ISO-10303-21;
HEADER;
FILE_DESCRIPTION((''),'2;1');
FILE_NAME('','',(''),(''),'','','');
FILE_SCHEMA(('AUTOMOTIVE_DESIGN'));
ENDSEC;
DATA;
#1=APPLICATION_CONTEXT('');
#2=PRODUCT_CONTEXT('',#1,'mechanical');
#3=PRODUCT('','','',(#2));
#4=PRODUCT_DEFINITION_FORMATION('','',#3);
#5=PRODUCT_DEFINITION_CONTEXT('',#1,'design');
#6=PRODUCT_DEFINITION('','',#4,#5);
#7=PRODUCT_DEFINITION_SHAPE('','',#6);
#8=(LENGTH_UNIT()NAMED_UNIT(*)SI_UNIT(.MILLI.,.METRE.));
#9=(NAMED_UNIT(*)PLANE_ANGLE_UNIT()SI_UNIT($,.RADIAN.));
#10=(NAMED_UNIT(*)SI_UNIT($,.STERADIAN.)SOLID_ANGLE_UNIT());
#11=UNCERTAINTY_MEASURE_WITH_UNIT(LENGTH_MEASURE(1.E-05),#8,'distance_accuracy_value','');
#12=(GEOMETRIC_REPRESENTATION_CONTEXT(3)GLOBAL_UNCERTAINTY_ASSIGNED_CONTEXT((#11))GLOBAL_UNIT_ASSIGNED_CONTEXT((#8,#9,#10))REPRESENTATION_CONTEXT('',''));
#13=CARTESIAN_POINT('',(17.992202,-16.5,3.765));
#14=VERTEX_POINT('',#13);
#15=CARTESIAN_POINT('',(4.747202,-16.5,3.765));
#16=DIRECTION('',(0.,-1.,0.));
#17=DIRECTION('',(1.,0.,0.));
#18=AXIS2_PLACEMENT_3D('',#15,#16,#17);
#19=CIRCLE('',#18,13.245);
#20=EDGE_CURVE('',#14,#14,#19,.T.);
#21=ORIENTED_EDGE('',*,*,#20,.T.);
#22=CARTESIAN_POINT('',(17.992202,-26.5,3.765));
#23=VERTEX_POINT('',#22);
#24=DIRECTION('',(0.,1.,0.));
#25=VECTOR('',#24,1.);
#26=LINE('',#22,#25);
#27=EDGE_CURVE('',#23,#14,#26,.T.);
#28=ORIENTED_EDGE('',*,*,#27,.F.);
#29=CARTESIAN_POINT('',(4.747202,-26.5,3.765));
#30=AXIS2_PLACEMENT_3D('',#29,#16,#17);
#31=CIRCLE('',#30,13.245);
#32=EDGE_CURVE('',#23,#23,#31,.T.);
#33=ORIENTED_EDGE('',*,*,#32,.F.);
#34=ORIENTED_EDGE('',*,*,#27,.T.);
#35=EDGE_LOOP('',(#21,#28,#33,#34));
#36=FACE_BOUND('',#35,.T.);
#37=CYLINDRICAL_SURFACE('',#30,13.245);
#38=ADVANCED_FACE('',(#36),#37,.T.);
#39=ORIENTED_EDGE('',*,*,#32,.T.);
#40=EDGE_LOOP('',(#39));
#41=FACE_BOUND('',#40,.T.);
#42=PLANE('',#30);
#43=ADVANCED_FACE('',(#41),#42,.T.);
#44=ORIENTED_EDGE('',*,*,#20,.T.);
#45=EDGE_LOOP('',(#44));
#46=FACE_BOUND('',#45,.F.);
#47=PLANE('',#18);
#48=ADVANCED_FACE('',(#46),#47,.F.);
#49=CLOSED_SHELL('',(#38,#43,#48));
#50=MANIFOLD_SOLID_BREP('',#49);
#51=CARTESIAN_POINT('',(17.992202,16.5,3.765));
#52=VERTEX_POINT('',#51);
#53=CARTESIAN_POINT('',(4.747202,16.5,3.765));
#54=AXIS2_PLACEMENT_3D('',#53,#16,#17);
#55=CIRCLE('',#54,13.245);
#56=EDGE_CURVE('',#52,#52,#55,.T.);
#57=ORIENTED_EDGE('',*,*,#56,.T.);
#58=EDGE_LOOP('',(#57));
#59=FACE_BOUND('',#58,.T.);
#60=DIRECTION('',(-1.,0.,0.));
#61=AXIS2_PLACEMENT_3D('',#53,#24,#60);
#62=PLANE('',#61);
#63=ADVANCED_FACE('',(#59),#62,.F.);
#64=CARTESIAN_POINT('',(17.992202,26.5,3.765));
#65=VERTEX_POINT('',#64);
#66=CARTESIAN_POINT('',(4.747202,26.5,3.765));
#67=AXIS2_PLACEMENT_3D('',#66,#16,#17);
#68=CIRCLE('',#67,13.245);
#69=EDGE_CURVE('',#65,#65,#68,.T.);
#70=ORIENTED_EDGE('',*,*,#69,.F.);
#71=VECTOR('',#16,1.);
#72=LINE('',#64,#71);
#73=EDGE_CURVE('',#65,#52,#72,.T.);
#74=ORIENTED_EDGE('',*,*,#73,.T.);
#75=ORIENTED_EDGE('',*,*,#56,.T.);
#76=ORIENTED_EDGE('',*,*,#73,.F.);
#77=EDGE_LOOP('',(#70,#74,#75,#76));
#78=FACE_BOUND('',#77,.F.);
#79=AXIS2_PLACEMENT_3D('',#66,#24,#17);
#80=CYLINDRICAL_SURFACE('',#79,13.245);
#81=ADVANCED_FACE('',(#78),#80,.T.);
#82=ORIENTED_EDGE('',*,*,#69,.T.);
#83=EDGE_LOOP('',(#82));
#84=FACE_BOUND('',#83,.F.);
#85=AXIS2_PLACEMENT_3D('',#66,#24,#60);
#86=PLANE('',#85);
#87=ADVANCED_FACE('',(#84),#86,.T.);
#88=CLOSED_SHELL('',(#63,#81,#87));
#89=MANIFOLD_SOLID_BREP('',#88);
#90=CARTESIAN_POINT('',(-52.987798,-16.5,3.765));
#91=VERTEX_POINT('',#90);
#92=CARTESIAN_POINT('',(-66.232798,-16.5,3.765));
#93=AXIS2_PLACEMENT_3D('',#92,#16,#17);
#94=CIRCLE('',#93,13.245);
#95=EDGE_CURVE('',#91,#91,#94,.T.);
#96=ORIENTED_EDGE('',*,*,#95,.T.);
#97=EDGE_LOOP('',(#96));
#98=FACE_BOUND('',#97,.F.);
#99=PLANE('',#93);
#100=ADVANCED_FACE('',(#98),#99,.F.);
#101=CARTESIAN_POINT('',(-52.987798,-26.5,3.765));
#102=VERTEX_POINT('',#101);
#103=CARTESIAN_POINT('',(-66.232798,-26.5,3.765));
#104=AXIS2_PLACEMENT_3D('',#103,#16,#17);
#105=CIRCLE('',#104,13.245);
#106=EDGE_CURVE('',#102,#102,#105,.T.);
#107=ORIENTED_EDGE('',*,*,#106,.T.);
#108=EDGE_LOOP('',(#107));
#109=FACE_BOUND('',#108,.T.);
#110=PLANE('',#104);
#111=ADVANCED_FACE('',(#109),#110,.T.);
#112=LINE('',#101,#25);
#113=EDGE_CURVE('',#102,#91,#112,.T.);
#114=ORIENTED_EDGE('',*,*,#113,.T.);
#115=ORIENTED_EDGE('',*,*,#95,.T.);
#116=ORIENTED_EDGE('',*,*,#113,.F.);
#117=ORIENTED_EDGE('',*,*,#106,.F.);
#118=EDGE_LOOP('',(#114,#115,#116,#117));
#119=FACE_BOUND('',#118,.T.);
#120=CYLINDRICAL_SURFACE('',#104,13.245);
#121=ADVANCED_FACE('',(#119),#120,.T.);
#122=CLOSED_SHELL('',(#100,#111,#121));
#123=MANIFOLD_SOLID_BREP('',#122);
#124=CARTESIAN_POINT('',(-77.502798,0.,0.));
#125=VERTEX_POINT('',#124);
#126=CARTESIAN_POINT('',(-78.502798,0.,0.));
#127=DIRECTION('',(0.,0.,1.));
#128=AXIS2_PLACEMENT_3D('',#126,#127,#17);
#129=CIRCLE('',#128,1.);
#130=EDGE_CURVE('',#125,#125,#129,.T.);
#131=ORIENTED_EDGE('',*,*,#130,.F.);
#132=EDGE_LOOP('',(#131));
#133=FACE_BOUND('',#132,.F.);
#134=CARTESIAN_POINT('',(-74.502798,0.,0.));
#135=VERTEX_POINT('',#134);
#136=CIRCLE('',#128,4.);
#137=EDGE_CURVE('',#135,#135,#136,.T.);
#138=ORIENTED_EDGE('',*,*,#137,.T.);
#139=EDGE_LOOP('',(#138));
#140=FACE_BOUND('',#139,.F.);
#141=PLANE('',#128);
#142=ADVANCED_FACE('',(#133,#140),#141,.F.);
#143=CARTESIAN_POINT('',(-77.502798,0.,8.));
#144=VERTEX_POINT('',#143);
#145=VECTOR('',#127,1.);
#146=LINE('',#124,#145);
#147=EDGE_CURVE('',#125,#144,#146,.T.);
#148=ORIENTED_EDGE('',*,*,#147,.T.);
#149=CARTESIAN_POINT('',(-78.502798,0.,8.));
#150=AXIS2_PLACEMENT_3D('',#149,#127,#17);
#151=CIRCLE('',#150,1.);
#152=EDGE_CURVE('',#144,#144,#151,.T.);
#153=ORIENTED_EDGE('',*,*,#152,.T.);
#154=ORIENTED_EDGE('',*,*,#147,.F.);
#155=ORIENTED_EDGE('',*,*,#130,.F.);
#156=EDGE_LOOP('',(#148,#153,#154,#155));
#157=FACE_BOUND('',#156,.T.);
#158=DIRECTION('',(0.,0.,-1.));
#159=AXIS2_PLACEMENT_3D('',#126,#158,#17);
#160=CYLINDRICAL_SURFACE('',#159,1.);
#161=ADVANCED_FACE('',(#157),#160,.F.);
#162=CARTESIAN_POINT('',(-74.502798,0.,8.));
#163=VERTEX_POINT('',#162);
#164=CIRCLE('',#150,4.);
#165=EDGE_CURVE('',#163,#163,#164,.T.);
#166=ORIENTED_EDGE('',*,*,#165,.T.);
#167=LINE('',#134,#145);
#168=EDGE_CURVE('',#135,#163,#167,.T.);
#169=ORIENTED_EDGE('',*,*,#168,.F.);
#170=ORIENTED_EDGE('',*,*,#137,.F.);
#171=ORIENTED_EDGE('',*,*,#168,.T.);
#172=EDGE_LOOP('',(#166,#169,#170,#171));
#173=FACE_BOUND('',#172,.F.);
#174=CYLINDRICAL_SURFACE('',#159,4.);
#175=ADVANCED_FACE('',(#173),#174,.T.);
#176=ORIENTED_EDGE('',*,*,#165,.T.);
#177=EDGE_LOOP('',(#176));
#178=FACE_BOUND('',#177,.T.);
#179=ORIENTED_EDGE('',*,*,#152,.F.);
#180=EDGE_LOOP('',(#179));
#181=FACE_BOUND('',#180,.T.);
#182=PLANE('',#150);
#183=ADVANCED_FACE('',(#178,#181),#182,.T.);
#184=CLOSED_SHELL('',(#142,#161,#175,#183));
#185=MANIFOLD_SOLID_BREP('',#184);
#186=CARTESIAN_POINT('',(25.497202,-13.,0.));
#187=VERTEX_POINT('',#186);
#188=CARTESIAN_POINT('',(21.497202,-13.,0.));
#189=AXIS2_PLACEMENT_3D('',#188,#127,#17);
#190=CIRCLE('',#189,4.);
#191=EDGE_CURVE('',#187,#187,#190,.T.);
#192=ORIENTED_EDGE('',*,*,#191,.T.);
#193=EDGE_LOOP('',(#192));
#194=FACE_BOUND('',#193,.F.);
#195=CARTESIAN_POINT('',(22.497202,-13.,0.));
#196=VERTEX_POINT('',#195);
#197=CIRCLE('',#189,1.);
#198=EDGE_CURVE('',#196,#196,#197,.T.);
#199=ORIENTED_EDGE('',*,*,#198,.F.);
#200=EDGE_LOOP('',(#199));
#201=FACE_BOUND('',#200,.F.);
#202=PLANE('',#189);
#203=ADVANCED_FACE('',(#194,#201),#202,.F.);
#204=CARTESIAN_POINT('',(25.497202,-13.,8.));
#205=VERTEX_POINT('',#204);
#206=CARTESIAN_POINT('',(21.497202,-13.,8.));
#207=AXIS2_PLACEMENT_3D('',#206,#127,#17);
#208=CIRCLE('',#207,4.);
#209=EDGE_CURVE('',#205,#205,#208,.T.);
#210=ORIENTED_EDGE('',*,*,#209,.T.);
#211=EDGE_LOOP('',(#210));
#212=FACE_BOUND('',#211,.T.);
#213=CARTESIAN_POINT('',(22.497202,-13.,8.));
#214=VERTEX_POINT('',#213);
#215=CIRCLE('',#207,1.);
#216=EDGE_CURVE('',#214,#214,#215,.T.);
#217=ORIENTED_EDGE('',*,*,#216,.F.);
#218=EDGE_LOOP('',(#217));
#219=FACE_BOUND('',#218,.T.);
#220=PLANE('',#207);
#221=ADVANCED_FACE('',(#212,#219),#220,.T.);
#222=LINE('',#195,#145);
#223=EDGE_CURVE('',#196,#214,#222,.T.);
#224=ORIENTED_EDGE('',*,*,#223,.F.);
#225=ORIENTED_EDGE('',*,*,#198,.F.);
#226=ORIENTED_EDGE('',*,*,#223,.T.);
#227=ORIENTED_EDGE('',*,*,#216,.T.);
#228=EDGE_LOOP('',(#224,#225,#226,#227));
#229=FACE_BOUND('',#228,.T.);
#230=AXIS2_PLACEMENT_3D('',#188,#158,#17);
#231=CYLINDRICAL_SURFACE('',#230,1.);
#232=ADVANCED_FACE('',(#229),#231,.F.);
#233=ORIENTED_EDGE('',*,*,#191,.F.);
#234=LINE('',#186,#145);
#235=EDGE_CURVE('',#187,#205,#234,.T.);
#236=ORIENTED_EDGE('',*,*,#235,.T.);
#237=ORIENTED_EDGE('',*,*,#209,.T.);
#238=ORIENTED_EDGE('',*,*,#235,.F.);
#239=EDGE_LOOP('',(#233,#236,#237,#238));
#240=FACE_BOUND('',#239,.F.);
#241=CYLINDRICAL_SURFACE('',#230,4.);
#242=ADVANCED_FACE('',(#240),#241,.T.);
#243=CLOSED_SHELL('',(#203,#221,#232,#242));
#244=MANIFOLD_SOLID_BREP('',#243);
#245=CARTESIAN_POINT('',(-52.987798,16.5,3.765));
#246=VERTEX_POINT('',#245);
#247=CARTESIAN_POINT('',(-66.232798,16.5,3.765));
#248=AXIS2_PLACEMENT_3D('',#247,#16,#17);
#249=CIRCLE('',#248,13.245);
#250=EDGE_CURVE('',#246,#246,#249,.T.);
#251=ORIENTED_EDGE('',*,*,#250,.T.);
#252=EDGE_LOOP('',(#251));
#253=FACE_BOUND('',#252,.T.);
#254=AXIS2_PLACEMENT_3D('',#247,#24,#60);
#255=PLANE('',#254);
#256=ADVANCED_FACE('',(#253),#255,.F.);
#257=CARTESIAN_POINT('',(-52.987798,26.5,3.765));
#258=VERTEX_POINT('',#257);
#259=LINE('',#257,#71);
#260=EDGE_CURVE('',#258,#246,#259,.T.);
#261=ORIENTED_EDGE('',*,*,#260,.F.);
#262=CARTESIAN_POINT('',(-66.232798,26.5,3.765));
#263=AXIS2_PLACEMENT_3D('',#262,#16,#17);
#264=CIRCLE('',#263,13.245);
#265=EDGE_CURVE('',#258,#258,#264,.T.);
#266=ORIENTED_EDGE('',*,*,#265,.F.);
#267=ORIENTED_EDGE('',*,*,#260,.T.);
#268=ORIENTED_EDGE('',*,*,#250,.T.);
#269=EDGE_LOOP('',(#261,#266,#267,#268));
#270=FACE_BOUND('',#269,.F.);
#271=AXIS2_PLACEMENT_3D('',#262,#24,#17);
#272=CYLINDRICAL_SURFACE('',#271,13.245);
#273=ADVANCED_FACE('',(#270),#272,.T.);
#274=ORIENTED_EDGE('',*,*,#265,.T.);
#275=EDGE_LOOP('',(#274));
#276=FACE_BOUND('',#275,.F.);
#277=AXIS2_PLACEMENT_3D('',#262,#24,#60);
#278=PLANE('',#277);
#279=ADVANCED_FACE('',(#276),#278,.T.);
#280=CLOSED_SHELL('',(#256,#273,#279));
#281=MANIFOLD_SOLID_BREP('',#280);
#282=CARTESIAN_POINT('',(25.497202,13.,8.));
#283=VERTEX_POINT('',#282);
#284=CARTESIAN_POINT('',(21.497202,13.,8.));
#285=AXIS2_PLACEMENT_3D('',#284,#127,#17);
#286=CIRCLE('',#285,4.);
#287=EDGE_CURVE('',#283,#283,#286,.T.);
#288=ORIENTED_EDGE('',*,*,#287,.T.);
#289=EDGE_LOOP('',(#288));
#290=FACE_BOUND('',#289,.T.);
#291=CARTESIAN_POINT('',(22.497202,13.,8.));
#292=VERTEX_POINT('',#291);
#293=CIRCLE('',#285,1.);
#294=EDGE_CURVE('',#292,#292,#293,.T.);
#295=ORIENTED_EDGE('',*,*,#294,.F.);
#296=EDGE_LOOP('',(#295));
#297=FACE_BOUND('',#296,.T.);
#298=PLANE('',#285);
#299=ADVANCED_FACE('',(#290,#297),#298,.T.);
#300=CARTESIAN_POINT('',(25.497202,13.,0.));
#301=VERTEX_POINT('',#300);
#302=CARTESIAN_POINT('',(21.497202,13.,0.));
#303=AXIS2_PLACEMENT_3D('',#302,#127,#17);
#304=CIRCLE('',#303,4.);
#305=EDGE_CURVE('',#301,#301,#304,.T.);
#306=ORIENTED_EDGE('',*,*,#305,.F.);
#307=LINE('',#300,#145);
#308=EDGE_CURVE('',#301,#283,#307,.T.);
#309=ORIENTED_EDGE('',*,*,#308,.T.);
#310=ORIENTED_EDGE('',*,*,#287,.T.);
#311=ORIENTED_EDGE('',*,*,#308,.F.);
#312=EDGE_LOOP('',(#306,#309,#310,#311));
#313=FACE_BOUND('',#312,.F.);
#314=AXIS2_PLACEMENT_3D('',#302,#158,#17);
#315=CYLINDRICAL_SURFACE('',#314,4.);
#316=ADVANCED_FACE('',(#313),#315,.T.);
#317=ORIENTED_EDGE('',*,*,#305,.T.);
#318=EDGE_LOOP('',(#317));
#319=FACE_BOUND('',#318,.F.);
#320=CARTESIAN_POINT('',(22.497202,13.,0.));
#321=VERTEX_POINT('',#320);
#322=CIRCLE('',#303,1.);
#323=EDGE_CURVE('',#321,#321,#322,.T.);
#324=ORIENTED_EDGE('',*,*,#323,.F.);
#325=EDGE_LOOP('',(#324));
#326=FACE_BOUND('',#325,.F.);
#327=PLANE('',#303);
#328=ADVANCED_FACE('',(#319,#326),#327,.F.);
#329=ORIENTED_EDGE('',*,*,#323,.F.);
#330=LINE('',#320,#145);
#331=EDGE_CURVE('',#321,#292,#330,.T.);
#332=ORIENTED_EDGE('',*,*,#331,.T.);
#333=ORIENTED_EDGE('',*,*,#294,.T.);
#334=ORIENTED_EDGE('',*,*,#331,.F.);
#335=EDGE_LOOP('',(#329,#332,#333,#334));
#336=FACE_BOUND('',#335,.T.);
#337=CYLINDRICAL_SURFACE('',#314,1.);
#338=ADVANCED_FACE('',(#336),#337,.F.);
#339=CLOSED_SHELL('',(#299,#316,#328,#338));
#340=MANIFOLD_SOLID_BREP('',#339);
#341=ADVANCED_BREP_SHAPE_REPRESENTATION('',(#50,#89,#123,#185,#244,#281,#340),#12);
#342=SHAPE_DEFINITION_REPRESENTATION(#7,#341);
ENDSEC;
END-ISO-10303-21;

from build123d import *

# Parameters (mm, degrees)
F0_R     = 4
F0_R_2   = 1
F1_DEPTH = 8
F3_R     = 13.245
F4_DEPTH = 10


with BuildPart() as f1:
    # F0 (on Top) → F1 (new body)
    with BuildSketch(Plane.XY):
        with Locations((-78.502798, 0)):
            Circle(F0_R)
        with Locations((-78.502798, 0)):
            Circle(F0_R_2, mode=Mode.SUBTRACT)
        with Locations((21.497202, 13)):
            Circle(F0_R)
        with Locations((21.497202, 13)):
            Circle(F0_R_2, mode=Mode.SUBTRACT)
        with Locations((21.497202, -13)):
            Circle(F0_R)
        with Locations((21.497202, -13)):
            Circle(F0_R_2, mode=Mode.SUBTRACT)
    extrude(amount=F1_DEPTH)


with BuildPart() as f4:
    # F3 (on offset) → F4 (new body)
    with BuildSketch(Plane.XZ.offset(26.5)):
        with Locations((-66.232798, 3.765)):
            Circle(F3_R)
        with Locations((4.747202, 3.765)):
            Circle(F3_R)
    extrude(amount=-F4_DEPTH)


with BuildPart() as f5_1:
    # F5: instance of F4
    add(f4.part.mirror(Plane.XZ))


solid = Compound([f1.part, f4.part, f5_1.part])
